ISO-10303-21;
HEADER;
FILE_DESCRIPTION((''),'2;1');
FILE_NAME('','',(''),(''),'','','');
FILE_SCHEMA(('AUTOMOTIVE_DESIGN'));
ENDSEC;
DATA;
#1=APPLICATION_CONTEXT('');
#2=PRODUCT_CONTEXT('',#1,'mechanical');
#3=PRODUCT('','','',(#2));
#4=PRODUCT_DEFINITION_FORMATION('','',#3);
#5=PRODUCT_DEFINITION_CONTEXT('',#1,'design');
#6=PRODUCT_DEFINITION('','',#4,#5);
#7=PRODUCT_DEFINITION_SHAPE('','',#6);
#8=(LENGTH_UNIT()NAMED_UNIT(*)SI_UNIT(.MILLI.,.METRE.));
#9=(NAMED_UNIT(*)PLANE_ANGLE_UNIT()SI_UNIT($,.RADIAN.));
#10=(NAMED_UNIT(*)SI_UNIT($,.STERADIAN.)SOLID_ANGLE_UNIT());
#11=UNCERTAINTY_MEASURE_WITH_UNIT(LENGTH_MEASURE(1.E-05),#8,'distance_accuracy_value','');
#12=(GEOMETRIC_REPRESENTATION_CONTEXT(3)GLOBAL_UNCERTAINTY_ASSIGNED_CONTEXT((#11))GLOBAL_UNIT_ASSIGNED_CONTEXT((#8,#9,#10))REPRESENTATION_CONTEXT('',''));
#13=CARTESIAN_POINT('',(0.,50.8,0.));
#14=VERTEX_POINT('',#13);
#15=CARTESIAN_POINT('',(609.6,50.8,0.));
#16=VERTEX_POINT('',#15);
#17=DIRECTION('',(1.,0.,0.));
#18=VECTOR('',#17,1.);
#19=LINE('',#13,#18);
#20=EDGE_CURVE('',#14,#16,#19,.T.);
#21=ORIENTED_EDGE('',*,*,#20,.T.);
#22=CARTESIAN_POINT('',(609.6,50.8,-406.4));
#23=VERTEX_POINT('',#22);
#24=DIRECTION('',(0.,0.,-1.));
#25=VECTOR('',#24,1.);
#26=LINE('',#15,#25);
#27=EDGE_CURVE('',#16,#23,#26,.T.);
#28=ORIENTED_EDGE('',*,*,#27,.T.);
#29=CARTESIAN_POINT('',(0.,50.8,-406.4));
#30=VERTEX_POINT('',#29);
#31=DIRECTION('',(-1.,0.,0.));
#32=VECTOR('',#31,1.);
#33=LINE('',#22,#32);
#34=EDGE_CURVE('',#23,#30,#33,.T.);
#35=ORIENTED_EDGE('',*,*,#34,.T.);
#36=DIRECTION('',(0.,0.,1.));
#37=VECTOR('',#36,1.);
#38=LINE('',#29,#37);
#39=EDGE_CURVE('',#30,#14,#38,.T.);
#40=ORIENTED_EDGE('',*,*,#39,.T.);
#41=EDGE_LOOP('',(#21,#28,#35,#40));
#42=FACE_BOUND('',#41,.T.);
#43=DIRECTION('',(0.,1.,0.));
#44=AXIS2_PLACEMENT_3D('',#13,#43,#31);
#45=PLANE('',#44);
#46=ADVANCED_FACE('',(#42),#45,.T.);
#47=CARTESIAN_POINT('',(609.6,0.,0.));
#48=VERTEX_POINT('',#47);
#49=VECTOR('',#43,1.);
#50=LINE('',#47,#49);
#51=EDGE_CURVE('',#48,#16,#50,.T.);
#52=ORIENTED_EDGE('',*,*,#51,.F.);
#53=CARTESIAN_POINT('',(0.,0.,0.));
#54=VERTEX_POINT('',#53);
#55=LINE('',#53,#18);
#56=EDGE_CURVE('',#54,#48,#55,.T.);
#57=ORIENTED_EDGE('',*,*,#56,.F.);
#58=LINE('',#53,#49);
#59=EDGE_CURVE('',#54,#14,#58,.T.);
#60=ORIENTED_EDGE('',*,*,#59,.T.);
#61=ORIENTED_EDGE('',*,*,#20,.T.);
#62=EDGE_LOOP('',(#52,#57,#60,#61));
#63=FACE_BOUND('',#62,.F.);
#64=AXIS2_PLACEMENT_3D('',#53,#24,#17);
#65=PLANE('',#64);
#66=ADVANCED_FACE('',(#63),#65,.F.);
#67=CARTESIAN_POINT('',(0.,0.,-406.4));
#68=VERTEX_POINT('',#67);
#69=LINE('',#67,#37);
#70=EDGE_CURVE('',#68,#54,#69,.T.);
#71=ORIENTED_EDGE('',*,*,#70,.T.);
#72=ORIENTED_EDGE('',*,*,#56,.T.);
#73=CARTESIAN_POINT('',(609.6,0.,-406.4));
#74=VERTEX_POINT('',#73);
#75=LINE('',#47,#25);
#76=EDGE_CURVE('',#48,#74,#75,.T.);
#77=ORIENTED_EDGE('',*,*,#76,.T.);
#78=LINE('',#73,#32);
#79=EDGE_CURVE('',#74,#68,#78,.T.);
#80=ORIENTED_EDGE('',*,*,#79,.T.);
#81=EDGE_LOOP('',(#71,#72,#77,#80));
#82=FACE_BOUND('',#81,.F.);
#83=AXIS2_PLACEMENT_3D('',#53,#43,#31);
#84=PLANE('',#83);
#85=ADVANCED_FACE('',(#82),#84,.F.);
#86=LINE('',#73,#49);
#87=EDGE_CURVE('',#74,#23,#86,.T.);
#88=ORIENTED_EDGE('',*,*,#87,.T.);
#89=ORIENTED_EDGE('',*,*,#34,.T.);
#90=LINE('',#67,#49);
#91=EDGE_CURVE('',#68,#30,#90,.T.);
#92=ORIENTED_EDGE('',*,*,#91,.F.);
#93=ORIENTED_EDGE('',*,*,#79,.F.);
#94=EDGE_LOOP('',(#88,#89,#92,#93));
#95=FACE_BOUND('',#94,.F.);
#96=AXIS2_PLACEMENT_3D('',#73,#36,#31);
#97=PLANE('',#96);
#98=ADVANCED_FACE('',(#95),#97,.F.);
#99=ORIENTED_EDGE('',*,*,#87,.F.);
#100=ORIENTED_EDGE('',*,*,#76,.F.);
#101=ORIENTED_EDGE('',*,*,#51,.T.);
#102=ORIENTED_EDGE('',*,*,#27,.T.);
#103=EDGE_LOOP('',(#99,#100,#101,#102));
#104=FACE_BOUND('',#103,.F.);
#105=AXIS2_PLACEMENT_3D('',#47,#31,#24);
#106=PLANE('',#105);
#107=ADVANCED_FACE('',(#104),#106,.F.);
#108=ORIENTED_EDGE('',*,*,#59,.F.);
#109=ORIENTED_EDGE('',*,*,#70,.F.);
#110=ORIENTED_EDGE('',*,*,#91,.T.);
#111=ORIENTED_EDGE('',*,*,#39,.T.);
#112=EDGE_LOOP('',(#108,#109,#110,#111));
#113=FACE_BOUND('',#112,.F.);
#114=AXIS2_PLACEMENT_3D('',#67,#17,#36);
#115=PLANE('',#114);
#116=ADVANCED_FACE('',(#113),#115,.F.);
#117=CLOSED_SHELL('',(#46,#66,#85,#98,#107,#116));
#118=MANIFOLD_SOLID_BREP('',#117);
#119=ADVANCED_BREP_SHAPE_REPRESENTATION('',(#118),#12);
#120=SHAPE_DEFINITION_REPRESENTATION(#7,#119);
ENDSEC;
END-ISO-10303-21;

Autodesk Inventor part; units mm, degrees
ref_plane "YZ Plane" through (0, 0, 0) normal (1, 0, 0) x (0, 1, 0)
ref_plane "XZ Plane" through (0, 0, 0) normal (0, 1, 0) x (-1, 0, 0)
ref_plane "XY Plane" through (0, 0, 0) normal (0, 0, 1) x (1, 0, 0)
sketch "Sketch1" plane through (0, 0, 0) normal (0, 1, 0) x (-1, 0, 0)
  line L0 (0, 0) -> (-609.6, 0)
  line L1 (-609.6, 0) -> (-609.6, -406.4)
  line L2 (-609.6, -406.4) -> (0, -406.4)
  line L3 (0, -406.4) -> (0, 0)
  dimension "d0" = 609.6
  dimension "d1" = 406.4
extrude "Extrusion1" add sketch "Sketch1" along normal blind 50.8
properties part number "16x24x2 - 150" material "Granite, Cut, Polished"
